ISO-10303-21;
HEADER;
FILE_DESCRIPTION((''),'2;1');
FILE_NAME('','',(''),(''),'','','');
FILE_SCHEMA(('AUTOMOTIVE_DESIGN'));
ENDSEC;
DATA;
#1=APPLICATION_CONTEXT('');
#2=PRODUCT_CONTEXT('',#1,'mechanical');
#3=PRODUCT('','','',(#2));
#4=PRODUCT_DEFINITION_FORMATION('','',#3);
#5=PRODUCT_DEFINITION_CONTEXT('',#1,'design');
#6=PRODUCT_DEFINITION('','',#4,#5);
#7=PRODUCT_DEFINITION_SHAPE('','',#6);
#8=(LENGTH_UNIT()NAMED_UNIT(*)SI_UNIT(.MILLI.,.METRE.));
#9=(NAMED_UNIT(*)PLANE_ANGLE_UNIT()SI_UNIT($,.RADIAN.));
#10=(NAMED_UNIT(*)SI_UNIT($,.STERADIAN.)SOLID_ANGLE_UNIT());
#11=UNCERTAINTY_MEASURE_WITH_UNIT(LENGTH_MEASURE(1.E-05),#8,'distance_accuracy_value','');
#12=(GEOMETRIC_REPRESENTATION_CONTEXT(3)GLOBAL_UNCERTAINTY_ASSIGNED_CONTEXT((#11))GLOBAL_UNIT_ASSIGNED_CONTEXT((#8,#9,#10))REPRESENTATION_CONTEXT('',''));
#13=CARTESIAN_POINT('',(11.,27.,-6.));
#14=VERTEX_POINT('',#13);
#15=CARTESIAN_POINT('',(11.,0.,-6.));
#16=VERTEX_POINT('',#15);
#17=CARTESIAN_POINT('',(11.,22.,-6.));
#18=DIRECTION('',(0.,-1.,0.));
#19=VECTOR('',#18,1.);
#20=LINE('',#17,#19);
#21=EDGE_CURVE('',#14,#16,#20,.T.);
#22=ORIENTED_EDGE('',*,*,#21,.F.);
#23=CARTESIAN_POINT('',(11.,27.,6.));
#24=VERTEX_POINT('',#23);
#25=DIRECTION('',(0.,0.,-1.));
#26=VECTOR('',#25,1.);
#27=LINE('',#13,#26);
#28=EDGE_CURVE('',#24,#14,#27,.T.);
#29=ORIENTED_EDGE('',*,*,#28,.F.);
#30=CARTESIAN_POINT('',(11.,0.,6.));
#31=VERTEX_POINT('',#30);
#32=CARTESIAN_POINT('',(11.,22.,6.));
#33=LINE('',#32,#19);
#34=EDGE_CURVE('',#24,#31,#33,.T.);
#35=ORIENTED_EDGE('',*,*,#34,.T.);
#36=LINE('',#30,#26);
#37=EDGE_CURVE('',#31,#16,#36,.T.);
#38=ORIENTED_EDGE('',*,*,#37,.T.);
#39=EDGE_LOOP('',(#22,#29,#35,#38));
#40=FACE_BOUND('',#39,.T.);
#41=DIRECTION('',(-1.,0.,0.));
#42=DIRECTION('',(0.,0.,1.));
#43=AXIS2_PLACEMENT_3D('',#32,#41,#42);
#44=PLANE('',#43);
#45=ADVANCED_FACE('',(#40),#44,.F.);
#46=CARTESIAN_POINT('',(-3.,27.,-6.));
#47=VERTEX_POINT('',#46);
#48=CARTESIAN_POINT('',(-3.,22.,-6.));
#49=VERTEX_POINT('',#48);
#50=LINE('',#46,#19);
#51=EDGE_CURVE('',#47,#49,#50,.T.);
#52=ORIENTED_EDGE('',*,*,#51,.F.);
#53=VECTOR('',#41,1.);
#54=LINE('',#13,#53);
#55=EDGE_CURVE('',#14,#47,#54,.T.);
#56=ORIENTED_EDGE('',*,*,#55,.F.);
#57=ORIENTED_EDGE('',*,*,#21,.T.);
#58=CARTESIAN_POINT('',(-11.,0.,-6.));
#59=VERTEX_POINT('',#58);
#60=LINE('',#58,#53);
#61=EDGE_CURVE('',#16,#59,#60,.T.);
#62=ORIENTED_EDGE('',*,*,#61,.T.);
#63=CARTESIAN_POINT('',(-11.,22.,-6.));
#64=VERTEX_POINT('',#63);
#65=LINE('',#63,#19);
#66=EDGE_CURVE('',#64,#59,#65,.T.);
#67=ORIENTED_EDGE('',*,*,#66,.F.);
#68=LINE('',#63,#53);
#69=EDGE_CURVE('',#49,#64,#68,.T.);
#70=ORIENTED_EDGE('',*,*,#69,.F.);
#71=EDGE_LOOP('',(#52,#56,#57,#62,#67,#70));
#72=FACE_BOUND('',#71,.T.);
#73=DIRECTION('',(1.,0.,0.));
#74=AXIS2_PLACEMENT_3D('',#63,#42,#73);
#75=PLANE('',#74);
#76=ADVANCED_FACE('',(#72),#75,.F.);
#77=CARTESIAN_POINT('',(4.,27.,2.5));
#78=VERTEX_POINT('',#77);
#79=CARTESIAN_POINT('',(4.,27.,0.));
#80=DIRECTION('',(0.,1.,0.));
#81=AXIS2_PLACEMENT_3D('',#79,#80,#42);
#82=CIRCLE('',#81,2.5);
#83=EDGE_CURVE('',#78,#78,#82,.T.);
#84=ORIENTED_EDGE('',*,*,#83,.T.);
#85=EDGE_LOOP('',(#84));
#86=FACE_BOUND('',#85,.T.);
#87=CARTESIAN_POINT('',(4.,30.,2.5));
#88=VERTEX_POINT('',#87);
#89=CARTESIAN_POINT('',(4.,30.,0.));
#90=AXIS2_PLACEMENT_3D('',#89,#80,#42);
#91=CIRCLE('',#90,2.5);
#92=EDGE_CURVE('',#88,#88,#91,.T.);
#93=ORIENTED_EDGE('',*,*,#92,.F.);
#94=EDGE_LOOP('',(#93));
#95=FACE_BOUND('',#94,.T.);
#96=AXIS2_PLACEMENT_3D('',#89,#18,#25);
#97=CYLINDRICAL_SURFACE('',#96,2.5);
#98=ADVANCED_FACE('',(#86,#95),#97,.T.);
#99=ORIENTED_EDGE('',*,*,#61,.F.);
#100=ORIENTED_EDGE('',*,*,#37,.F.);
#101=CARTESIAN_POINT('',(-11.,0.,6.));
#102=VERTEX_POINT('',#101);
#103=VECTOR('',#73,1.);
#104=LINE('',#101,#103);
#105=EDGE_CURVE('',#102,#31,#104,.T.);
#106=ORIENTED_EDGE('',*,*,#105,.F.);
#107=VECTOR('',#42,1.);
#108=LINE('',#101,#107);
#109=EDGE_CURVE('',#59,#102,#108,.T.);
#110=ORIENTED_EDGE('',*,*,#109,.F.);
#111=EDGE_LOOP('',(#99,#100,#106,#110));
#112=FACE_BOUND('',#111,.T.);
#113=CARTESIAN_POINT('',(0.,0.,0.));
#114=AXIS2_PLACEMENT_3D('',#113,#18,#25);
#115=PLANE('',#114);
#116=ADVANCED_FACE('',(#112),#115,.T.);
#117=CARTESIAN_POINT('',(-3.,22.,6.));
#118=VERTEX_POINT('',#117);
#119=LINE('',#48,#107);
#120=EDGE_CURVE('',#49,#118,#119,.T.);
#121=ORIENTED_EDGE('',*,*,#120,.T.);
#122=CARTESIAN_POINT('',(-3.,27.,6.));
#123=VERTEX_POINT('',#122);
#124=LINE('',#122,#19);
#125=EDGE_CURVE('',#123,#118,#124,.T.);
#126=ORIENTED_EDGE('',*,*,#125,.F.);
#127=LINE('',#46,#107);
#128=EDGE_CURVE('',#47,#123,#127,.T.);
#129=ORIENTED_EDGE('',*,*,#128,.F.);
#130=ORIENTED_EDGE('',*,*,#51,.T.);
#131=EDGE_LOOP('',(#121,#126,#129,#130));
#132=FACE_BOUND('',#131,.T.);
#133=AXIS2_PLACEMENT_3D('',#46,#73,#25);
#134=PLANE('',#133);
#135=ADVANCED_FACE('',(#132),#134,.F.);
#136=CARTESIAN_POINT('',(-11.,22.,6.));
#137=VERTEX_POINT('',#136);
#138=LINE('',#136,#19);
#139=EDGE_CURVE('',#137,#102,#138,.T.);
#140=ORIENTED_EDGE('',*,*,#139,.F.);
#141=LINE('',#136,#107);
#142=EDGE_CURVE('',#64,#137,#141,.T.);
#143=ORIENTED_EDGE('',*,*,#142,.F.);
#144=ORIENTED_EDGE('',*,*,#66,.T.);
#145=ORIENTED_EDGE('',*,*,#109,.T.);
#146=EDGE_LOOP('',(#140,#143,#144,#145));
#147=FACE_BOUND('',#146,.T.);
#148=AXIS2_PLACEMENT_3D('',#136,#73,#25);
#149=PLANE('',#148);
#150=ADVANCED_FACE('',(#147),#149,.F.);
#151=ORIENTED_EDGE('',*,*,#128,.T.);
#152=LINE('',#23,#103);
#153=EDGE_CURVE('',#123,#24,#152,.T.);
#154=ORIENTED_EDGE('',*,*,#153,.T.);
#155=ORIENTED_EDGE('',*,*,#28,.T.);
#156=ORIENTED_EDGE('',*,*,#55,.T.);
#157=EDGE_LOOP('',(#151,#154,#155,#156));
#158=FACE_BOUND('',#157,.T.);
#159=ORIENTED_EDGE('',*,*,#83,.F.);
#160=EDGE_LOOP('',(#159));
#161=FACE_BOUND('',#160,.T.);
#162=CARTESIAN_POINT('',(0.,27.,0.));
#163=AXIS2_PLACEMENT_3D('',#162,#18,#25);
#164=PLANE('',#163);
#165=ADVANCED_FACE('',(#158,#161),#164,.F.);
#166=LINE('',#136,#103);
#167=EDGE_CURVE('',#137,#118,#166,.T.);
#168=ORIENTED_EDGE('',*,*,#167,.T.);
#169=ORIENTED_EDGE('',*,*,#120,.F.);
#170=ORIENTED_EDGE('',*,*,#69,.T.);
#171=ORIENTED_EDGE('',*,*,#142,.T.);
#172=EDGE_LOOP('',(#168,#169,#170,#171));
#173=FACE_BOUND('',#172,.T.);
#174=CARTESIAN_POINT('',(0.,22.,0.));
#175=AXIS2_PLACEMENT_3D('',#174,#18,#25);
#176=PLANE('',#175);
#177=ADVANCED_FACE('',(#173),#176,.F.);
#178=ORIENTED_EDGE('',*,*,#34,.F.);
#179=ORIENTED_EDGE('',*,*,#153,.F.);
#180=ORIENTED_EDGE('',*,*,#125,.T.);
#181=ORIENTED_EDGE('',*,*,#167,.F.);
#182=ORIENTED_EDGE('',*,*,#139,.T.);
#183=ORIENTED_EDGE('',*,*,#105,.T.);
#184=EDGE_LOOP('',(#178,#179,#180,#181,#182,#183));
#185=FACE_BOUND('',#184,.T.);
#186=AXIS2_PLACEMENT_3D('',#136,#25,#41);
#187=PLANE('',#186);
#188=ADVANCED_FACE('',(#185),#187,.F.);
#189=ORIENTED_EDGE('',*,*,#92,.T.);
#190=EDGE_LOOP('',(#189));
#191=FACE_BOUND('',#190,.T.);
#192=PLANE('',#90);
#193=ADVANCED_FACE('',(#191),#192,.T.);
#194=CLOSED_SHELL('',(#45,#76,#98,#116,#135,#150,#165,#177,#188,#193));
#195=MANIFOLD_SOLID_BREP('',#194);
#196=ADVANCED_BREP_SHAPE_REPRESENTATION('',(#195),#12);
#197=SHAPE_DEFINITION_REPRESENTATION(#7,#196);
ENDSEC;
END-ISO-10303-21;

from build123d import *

# Parameters (mm, degrees)
CROQUIS1_W              = 22
CROQUIS1_H              = 12
SALIENTE_EXTRUIR1_DEPTH = 22
CROQUIS2_W              = 14
CROQUIS2_H              = 12
SALIENTE_EXTRUIR2_DEPTH = 5
CROQUIS3_R              = 2.5
SALIENTE_EXTRUIR3_DEPTH = 3


with BuildPart() as part:
    # Croquis1 → Saliente-Extruir1 (new body)
    with BuildSketch(Plane(origin=(0, 0, 0), x_dir=(1, 0, 0), z_dir=(0, 1, 0))):
        Rectangle(CROQUIS1_W, CROQUIS1_H)
    extrude(amount=SALIENTE_EXTRUIR1_DEPTH)

    # Croquis2 → Saliente-Extruir2 (add)
    with BuildSketch(Plane(origin=(0, 22, 0), x_dir=(1, 0, 0), z_dir=(0, 1, 0))):
        with Locations((4, 0)):
            Rectangle(CROQUIS2_W, CROQUIS2_H)
    extrude(amount=SALIENTE_EXTRUIR2_DEPTH)

    # Croquis3 → Saliente-Extruir3 (add)
    with BuildSketch(Plane(origin=(0, 27, 0), x_dir=(1, 0, 0), z_dir=(0, 1, 0))):
        with Locations(Location((4, 0, 0), (0, 0, 270))):
            Circle(CROQUIS3_R)
    extrude(amount=SALIENTE_EXTRUIR3_DEPTH)


solid = part.part
